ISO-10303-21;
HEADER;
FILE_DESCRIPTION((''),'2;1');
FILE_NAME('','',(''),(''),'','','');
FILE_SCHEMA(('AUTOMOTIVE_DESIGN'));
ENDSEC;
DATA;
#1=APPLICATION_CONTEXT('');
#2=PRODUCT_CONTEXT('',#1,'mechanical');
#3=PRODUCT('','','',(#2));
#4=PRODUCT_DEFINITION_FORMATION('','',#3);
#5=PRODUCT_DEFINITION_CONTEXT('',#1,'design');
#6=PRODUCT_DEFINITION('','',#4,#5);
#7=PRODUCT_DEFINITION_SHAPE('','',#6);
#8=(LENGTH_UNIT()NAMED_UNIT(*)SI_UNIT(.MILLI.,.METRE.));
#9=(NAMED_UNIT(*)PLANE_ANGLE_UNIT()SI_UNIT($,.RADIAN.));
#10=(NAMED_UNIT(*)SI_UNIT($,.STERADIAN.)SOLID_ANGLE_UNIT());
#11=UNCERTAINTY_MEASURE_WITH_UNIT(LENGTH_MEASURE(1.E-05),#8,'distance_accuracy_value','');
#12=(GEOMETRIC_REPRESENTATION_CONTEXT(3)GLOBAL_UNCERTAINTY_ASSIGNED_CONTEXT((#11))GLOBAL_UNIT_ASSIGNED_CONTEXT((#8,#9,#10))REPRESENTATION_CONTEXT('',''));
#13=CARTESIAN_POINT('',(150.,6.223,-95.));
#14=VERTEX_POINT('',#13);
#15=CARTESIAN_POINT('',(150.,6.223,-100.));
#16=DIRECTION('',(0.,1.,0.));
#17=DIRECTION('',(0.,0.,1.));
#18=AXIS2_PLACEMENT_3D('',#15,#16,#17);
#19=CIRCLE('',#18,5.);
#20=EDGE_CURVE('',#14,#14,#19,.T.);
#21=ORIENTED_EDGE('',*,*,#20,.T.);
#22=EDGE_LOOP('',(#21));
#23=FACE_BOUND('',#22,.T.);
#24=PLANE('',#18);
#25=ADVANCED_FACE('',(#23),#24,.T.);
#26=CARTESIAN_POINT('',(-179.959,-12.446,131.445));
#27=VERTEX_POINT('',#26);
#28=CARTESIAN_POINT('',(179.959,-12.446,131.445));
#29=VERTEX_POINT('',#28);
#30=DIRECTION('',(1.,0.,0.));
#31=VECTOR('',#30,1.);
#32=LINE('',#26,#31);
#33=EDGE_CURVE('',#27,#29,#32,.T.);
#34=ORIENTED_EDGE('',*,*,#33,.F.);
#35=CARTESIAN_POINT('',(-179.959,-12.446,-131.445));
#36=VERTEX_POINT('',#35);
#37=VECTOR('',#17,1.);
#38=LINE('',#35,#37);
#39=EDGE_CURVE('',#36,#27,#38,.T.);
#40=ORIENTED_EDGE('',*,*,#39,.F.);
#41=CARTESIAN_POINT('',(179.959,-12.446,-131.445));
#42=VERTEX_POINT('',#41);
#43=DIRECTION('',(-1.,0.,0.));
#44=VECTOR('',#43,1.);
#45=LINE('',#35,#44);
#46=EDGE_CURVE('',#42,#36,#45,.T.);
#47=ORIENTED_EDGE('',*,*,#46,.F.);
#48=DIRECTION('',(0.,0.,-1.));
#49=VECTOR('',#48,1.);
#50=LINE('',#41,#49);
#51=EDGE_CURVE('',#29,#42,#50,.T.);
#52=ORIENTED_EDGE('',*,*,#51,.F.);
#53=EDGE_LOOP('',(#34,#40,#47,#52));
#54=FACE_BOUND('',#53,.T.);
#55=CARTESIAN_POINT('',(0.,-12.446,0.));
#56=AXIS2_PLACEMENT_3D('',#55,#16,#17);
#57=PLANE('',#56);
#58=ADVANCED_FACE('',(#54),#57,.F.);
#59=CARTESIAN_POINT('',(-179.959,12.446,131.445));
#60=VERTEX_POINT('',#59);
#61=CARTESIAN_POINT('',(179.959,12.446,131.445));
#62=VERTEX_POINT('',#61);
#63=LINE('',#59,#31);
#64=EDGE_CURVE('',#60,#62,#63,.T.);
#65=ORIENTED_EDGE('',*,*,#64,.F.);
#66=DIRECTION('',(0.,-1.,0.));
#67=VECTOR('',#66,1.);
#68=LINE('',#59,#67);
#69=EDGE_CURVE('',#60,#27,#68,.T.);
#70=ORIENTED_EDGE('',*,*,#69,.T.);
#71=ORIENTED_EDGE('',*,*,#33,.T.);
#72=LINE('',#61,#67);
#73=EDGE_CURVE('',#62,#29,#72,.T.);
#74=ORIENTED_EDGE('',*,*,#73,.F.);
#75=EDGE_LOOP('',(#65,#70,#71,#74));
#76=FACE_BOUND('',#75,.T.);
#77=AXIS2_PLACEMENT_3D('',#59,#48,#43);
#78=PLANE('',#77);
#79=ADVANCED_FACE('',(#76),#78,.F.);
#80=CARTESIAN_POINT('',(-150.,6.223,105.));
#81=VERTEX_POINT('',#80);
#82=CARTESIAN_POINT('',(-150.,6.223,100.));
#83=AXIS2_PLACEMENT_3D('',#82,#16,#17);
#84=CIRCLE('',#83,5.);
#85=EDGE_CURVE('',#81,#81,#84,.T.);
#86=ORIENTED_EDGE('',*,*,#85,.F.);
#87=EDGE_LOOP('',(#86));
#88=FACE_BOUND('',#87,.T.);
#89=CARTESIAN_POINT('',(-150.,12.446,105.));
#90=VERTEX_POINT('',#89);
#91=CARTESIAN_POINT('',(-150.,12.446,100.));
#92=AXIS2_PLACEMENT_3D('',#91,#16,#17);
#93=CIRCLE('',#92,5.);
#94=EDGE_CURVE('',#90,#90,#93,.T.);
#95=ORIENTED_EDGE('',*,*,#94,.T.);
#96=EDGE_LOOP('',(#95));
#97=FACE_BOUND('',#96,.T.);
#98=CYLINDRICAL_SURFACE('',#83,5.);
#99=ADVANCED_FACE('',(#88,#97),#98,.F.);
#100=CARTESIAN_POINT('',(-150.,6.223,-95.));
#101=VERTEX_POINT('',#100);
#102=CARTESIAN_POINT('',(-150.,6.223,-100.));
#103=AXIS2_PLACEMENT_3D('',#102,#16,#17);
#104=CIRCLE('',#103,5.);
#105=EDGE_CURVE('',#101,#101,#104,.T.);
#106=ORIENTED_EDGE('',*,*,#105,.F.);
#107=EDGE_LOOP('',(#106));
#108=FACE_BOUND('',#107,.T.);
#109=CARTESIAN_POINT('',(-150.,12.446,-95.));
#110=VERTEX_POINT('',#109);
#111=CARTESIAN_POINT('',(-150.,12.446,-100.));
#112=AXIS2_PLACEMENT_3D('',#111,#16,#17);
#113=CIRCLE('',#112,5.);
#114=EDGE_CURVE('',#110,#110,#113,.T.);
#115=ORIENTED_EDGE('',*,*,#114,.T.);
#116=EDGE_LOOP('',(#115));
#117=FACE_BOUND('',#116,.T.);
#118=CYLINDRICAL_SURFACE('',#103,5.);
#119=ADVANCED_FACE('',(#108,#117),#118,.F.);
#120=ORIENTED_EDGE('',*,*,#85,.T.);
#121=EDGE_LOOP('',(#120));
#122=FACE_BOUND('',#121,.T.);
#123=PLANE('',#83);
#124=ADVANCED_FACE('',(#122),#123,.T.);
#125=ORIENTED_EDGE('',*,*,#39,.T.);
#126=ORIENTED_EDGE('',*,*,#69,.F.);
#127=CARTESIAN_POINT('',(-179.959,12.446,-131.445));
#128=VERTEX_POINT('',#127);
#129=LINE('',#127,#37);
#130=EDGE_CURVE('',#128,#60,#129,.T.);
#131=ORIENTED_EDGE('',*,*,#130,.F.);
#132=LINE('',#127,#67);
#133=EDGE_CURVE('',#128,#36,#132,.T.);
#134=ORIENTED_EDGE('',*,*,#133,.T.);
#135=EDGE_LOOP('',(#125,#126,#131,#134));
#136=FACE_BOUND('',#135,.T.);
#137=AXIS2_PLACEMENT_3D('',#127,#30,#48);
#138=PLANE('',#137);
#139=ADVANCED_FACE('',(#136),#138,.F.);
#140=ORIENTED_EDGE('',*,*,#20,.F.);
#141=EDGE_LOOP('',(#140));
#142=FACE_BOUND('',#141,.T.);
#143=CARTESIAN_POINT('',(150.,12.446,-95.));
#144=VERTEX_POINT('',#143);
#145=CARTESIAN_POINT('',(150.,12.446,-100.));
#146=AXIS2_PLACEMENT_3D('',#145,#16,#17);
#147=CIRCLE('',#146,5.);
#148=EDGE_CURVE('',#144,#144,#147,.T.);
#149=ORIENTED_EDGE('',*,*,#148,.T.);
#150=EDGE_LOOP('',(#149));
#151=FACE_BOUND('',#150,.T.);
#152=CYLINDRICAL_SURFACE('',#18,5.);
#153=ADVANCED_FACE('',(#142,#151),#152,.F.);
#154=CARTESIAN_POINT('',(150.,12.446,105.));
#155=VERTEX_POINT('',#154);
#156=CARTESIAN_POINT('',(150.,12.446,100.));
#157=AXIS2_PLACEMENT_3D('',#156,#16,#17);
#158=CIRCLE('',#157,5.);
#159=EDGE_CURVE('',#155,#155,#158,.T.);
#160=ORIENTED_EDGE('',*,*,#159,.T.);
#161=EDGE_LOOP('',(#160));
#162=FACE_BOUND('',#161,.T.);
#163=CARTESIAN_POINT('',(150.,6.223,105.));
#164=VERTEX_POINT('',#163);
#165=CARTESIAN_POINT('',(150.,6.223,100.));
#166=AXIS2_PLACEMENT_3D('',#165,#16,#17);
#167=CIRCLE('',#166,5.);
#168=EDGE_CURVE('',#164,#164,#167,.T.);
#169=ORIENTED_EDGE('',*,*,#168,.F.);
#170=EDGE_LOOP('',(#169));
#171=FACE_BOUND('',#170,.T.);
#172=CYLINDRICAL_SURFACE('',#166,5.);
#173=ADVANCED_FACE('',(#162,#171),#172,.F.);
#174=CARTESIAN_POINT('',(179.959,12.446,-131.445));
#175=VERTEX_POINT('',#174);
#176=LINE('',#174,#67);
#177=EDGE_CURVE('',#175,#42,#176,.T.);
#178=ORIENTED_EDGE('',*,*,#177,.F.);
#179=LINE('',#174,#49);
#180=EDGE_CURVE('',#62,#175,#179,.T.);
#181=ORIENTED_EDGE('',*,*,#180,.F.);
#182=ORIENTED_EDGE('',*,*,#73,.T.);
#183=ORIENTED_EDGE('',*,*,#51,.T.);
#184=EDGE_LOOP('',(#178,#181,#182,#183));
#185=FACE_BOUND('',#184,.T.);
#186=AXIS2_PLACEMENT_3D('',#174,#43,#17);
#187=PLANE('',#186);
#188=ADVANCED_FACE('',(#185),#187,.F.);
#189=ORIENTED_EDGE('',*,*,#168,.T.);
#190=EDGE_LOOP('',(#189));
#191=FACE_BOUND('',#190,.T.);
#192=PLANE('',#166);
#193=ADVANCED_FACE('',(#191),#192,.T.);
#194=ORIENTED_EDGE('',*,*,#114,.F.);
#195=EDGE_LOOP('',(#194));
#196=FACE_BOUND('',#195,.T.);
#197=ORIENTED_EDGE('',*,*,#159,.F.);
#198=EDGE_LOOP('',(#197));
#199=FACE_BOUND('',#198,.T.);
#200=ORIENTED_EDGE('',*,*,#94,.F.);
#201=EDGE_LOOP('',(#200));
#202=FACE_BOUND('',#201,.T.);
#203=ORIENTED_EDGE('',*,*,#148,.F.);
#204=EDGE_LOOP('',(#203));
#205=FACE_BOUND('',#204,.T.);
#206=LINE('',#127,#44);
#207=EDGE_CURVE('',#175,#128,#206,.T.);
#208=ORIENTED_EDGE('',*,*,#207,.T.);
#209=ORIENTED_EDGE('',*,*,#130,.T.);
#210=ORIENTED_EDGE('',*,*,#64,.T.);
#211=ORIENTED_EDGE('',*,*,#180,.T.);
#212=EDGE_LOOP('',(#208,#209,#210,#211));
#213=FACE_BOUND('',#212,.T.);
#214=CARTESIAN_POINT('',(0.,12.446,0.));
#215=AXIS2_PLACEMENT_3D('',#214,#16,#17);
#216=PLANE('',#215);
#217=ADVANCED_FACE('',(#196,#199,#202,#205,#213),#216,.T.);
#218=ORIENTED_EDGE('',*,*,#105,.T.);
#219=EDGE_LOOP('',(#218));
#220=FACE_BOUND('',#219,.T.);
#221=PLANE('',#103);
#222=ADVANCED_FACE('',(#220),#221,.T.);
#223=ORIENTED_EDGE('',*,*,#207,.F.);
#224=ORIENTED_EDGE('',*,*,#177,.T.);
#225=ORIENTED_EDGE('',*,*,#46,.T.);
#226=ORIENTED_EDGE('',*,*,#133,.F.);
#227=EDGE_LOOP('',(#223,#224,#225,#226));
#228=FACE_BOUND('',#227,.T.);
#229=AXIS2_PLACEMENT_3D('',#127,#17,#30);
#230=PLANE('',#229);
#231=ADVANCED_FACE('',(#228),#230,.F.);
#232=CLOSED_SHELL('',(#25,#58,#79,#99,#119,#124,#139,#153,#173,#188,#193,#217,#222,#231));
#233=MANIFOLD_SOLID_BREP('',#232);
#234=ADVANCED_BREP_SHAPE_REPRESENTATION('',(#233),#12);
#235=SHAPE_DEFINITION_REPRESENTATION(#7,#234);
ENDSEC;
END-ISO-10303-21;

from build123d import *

# Parameters (mm, degrees)
SKETCH1_W           = 359.918
SKETCH1_H           = 262.89
BOSS_EXTRUDE1_DEPTH = 12.446
SKETCH5_R           = 5
CUT_EXTRUDE1_DEPTH  = 6.223


with BuildPart() as part:
    # Sketch1 → Boss-Extrude1 (new body, symmetric)
    with BuildSketch(Plane(origin=(0, 0, 0), x_dir=(1, 0, 0), z_dir=(0, 1, 0))):
        Rectangle(SKETCH1_W, SKETCH1_H)
    extrude(amount=BOSS_EXTRUDE1_DEPTH, both=True)

    # Sketch5 → Cut-Extrude1 (cut)
    with BuildSketch(Plane(origin=(0, 12.446, 0), x_dir=(1, 0, 0), z_dir=(0, 1, 0))):
        with Locations((-150, 100)):
            Circle(SKETCH5_R)
        with Locations((150, 100)):
            Circle(SKETCH5_R)
        with Locations((150, -100)):
            Circle(SKETCH5_R)
        with Locations((-150, -100)):
            Circle(SKETCH5_R)
    extrude(amount=-CUT_EXTRUDE1_DEPTH, mode=Mode.SUBTRACT)


solid = part.part
